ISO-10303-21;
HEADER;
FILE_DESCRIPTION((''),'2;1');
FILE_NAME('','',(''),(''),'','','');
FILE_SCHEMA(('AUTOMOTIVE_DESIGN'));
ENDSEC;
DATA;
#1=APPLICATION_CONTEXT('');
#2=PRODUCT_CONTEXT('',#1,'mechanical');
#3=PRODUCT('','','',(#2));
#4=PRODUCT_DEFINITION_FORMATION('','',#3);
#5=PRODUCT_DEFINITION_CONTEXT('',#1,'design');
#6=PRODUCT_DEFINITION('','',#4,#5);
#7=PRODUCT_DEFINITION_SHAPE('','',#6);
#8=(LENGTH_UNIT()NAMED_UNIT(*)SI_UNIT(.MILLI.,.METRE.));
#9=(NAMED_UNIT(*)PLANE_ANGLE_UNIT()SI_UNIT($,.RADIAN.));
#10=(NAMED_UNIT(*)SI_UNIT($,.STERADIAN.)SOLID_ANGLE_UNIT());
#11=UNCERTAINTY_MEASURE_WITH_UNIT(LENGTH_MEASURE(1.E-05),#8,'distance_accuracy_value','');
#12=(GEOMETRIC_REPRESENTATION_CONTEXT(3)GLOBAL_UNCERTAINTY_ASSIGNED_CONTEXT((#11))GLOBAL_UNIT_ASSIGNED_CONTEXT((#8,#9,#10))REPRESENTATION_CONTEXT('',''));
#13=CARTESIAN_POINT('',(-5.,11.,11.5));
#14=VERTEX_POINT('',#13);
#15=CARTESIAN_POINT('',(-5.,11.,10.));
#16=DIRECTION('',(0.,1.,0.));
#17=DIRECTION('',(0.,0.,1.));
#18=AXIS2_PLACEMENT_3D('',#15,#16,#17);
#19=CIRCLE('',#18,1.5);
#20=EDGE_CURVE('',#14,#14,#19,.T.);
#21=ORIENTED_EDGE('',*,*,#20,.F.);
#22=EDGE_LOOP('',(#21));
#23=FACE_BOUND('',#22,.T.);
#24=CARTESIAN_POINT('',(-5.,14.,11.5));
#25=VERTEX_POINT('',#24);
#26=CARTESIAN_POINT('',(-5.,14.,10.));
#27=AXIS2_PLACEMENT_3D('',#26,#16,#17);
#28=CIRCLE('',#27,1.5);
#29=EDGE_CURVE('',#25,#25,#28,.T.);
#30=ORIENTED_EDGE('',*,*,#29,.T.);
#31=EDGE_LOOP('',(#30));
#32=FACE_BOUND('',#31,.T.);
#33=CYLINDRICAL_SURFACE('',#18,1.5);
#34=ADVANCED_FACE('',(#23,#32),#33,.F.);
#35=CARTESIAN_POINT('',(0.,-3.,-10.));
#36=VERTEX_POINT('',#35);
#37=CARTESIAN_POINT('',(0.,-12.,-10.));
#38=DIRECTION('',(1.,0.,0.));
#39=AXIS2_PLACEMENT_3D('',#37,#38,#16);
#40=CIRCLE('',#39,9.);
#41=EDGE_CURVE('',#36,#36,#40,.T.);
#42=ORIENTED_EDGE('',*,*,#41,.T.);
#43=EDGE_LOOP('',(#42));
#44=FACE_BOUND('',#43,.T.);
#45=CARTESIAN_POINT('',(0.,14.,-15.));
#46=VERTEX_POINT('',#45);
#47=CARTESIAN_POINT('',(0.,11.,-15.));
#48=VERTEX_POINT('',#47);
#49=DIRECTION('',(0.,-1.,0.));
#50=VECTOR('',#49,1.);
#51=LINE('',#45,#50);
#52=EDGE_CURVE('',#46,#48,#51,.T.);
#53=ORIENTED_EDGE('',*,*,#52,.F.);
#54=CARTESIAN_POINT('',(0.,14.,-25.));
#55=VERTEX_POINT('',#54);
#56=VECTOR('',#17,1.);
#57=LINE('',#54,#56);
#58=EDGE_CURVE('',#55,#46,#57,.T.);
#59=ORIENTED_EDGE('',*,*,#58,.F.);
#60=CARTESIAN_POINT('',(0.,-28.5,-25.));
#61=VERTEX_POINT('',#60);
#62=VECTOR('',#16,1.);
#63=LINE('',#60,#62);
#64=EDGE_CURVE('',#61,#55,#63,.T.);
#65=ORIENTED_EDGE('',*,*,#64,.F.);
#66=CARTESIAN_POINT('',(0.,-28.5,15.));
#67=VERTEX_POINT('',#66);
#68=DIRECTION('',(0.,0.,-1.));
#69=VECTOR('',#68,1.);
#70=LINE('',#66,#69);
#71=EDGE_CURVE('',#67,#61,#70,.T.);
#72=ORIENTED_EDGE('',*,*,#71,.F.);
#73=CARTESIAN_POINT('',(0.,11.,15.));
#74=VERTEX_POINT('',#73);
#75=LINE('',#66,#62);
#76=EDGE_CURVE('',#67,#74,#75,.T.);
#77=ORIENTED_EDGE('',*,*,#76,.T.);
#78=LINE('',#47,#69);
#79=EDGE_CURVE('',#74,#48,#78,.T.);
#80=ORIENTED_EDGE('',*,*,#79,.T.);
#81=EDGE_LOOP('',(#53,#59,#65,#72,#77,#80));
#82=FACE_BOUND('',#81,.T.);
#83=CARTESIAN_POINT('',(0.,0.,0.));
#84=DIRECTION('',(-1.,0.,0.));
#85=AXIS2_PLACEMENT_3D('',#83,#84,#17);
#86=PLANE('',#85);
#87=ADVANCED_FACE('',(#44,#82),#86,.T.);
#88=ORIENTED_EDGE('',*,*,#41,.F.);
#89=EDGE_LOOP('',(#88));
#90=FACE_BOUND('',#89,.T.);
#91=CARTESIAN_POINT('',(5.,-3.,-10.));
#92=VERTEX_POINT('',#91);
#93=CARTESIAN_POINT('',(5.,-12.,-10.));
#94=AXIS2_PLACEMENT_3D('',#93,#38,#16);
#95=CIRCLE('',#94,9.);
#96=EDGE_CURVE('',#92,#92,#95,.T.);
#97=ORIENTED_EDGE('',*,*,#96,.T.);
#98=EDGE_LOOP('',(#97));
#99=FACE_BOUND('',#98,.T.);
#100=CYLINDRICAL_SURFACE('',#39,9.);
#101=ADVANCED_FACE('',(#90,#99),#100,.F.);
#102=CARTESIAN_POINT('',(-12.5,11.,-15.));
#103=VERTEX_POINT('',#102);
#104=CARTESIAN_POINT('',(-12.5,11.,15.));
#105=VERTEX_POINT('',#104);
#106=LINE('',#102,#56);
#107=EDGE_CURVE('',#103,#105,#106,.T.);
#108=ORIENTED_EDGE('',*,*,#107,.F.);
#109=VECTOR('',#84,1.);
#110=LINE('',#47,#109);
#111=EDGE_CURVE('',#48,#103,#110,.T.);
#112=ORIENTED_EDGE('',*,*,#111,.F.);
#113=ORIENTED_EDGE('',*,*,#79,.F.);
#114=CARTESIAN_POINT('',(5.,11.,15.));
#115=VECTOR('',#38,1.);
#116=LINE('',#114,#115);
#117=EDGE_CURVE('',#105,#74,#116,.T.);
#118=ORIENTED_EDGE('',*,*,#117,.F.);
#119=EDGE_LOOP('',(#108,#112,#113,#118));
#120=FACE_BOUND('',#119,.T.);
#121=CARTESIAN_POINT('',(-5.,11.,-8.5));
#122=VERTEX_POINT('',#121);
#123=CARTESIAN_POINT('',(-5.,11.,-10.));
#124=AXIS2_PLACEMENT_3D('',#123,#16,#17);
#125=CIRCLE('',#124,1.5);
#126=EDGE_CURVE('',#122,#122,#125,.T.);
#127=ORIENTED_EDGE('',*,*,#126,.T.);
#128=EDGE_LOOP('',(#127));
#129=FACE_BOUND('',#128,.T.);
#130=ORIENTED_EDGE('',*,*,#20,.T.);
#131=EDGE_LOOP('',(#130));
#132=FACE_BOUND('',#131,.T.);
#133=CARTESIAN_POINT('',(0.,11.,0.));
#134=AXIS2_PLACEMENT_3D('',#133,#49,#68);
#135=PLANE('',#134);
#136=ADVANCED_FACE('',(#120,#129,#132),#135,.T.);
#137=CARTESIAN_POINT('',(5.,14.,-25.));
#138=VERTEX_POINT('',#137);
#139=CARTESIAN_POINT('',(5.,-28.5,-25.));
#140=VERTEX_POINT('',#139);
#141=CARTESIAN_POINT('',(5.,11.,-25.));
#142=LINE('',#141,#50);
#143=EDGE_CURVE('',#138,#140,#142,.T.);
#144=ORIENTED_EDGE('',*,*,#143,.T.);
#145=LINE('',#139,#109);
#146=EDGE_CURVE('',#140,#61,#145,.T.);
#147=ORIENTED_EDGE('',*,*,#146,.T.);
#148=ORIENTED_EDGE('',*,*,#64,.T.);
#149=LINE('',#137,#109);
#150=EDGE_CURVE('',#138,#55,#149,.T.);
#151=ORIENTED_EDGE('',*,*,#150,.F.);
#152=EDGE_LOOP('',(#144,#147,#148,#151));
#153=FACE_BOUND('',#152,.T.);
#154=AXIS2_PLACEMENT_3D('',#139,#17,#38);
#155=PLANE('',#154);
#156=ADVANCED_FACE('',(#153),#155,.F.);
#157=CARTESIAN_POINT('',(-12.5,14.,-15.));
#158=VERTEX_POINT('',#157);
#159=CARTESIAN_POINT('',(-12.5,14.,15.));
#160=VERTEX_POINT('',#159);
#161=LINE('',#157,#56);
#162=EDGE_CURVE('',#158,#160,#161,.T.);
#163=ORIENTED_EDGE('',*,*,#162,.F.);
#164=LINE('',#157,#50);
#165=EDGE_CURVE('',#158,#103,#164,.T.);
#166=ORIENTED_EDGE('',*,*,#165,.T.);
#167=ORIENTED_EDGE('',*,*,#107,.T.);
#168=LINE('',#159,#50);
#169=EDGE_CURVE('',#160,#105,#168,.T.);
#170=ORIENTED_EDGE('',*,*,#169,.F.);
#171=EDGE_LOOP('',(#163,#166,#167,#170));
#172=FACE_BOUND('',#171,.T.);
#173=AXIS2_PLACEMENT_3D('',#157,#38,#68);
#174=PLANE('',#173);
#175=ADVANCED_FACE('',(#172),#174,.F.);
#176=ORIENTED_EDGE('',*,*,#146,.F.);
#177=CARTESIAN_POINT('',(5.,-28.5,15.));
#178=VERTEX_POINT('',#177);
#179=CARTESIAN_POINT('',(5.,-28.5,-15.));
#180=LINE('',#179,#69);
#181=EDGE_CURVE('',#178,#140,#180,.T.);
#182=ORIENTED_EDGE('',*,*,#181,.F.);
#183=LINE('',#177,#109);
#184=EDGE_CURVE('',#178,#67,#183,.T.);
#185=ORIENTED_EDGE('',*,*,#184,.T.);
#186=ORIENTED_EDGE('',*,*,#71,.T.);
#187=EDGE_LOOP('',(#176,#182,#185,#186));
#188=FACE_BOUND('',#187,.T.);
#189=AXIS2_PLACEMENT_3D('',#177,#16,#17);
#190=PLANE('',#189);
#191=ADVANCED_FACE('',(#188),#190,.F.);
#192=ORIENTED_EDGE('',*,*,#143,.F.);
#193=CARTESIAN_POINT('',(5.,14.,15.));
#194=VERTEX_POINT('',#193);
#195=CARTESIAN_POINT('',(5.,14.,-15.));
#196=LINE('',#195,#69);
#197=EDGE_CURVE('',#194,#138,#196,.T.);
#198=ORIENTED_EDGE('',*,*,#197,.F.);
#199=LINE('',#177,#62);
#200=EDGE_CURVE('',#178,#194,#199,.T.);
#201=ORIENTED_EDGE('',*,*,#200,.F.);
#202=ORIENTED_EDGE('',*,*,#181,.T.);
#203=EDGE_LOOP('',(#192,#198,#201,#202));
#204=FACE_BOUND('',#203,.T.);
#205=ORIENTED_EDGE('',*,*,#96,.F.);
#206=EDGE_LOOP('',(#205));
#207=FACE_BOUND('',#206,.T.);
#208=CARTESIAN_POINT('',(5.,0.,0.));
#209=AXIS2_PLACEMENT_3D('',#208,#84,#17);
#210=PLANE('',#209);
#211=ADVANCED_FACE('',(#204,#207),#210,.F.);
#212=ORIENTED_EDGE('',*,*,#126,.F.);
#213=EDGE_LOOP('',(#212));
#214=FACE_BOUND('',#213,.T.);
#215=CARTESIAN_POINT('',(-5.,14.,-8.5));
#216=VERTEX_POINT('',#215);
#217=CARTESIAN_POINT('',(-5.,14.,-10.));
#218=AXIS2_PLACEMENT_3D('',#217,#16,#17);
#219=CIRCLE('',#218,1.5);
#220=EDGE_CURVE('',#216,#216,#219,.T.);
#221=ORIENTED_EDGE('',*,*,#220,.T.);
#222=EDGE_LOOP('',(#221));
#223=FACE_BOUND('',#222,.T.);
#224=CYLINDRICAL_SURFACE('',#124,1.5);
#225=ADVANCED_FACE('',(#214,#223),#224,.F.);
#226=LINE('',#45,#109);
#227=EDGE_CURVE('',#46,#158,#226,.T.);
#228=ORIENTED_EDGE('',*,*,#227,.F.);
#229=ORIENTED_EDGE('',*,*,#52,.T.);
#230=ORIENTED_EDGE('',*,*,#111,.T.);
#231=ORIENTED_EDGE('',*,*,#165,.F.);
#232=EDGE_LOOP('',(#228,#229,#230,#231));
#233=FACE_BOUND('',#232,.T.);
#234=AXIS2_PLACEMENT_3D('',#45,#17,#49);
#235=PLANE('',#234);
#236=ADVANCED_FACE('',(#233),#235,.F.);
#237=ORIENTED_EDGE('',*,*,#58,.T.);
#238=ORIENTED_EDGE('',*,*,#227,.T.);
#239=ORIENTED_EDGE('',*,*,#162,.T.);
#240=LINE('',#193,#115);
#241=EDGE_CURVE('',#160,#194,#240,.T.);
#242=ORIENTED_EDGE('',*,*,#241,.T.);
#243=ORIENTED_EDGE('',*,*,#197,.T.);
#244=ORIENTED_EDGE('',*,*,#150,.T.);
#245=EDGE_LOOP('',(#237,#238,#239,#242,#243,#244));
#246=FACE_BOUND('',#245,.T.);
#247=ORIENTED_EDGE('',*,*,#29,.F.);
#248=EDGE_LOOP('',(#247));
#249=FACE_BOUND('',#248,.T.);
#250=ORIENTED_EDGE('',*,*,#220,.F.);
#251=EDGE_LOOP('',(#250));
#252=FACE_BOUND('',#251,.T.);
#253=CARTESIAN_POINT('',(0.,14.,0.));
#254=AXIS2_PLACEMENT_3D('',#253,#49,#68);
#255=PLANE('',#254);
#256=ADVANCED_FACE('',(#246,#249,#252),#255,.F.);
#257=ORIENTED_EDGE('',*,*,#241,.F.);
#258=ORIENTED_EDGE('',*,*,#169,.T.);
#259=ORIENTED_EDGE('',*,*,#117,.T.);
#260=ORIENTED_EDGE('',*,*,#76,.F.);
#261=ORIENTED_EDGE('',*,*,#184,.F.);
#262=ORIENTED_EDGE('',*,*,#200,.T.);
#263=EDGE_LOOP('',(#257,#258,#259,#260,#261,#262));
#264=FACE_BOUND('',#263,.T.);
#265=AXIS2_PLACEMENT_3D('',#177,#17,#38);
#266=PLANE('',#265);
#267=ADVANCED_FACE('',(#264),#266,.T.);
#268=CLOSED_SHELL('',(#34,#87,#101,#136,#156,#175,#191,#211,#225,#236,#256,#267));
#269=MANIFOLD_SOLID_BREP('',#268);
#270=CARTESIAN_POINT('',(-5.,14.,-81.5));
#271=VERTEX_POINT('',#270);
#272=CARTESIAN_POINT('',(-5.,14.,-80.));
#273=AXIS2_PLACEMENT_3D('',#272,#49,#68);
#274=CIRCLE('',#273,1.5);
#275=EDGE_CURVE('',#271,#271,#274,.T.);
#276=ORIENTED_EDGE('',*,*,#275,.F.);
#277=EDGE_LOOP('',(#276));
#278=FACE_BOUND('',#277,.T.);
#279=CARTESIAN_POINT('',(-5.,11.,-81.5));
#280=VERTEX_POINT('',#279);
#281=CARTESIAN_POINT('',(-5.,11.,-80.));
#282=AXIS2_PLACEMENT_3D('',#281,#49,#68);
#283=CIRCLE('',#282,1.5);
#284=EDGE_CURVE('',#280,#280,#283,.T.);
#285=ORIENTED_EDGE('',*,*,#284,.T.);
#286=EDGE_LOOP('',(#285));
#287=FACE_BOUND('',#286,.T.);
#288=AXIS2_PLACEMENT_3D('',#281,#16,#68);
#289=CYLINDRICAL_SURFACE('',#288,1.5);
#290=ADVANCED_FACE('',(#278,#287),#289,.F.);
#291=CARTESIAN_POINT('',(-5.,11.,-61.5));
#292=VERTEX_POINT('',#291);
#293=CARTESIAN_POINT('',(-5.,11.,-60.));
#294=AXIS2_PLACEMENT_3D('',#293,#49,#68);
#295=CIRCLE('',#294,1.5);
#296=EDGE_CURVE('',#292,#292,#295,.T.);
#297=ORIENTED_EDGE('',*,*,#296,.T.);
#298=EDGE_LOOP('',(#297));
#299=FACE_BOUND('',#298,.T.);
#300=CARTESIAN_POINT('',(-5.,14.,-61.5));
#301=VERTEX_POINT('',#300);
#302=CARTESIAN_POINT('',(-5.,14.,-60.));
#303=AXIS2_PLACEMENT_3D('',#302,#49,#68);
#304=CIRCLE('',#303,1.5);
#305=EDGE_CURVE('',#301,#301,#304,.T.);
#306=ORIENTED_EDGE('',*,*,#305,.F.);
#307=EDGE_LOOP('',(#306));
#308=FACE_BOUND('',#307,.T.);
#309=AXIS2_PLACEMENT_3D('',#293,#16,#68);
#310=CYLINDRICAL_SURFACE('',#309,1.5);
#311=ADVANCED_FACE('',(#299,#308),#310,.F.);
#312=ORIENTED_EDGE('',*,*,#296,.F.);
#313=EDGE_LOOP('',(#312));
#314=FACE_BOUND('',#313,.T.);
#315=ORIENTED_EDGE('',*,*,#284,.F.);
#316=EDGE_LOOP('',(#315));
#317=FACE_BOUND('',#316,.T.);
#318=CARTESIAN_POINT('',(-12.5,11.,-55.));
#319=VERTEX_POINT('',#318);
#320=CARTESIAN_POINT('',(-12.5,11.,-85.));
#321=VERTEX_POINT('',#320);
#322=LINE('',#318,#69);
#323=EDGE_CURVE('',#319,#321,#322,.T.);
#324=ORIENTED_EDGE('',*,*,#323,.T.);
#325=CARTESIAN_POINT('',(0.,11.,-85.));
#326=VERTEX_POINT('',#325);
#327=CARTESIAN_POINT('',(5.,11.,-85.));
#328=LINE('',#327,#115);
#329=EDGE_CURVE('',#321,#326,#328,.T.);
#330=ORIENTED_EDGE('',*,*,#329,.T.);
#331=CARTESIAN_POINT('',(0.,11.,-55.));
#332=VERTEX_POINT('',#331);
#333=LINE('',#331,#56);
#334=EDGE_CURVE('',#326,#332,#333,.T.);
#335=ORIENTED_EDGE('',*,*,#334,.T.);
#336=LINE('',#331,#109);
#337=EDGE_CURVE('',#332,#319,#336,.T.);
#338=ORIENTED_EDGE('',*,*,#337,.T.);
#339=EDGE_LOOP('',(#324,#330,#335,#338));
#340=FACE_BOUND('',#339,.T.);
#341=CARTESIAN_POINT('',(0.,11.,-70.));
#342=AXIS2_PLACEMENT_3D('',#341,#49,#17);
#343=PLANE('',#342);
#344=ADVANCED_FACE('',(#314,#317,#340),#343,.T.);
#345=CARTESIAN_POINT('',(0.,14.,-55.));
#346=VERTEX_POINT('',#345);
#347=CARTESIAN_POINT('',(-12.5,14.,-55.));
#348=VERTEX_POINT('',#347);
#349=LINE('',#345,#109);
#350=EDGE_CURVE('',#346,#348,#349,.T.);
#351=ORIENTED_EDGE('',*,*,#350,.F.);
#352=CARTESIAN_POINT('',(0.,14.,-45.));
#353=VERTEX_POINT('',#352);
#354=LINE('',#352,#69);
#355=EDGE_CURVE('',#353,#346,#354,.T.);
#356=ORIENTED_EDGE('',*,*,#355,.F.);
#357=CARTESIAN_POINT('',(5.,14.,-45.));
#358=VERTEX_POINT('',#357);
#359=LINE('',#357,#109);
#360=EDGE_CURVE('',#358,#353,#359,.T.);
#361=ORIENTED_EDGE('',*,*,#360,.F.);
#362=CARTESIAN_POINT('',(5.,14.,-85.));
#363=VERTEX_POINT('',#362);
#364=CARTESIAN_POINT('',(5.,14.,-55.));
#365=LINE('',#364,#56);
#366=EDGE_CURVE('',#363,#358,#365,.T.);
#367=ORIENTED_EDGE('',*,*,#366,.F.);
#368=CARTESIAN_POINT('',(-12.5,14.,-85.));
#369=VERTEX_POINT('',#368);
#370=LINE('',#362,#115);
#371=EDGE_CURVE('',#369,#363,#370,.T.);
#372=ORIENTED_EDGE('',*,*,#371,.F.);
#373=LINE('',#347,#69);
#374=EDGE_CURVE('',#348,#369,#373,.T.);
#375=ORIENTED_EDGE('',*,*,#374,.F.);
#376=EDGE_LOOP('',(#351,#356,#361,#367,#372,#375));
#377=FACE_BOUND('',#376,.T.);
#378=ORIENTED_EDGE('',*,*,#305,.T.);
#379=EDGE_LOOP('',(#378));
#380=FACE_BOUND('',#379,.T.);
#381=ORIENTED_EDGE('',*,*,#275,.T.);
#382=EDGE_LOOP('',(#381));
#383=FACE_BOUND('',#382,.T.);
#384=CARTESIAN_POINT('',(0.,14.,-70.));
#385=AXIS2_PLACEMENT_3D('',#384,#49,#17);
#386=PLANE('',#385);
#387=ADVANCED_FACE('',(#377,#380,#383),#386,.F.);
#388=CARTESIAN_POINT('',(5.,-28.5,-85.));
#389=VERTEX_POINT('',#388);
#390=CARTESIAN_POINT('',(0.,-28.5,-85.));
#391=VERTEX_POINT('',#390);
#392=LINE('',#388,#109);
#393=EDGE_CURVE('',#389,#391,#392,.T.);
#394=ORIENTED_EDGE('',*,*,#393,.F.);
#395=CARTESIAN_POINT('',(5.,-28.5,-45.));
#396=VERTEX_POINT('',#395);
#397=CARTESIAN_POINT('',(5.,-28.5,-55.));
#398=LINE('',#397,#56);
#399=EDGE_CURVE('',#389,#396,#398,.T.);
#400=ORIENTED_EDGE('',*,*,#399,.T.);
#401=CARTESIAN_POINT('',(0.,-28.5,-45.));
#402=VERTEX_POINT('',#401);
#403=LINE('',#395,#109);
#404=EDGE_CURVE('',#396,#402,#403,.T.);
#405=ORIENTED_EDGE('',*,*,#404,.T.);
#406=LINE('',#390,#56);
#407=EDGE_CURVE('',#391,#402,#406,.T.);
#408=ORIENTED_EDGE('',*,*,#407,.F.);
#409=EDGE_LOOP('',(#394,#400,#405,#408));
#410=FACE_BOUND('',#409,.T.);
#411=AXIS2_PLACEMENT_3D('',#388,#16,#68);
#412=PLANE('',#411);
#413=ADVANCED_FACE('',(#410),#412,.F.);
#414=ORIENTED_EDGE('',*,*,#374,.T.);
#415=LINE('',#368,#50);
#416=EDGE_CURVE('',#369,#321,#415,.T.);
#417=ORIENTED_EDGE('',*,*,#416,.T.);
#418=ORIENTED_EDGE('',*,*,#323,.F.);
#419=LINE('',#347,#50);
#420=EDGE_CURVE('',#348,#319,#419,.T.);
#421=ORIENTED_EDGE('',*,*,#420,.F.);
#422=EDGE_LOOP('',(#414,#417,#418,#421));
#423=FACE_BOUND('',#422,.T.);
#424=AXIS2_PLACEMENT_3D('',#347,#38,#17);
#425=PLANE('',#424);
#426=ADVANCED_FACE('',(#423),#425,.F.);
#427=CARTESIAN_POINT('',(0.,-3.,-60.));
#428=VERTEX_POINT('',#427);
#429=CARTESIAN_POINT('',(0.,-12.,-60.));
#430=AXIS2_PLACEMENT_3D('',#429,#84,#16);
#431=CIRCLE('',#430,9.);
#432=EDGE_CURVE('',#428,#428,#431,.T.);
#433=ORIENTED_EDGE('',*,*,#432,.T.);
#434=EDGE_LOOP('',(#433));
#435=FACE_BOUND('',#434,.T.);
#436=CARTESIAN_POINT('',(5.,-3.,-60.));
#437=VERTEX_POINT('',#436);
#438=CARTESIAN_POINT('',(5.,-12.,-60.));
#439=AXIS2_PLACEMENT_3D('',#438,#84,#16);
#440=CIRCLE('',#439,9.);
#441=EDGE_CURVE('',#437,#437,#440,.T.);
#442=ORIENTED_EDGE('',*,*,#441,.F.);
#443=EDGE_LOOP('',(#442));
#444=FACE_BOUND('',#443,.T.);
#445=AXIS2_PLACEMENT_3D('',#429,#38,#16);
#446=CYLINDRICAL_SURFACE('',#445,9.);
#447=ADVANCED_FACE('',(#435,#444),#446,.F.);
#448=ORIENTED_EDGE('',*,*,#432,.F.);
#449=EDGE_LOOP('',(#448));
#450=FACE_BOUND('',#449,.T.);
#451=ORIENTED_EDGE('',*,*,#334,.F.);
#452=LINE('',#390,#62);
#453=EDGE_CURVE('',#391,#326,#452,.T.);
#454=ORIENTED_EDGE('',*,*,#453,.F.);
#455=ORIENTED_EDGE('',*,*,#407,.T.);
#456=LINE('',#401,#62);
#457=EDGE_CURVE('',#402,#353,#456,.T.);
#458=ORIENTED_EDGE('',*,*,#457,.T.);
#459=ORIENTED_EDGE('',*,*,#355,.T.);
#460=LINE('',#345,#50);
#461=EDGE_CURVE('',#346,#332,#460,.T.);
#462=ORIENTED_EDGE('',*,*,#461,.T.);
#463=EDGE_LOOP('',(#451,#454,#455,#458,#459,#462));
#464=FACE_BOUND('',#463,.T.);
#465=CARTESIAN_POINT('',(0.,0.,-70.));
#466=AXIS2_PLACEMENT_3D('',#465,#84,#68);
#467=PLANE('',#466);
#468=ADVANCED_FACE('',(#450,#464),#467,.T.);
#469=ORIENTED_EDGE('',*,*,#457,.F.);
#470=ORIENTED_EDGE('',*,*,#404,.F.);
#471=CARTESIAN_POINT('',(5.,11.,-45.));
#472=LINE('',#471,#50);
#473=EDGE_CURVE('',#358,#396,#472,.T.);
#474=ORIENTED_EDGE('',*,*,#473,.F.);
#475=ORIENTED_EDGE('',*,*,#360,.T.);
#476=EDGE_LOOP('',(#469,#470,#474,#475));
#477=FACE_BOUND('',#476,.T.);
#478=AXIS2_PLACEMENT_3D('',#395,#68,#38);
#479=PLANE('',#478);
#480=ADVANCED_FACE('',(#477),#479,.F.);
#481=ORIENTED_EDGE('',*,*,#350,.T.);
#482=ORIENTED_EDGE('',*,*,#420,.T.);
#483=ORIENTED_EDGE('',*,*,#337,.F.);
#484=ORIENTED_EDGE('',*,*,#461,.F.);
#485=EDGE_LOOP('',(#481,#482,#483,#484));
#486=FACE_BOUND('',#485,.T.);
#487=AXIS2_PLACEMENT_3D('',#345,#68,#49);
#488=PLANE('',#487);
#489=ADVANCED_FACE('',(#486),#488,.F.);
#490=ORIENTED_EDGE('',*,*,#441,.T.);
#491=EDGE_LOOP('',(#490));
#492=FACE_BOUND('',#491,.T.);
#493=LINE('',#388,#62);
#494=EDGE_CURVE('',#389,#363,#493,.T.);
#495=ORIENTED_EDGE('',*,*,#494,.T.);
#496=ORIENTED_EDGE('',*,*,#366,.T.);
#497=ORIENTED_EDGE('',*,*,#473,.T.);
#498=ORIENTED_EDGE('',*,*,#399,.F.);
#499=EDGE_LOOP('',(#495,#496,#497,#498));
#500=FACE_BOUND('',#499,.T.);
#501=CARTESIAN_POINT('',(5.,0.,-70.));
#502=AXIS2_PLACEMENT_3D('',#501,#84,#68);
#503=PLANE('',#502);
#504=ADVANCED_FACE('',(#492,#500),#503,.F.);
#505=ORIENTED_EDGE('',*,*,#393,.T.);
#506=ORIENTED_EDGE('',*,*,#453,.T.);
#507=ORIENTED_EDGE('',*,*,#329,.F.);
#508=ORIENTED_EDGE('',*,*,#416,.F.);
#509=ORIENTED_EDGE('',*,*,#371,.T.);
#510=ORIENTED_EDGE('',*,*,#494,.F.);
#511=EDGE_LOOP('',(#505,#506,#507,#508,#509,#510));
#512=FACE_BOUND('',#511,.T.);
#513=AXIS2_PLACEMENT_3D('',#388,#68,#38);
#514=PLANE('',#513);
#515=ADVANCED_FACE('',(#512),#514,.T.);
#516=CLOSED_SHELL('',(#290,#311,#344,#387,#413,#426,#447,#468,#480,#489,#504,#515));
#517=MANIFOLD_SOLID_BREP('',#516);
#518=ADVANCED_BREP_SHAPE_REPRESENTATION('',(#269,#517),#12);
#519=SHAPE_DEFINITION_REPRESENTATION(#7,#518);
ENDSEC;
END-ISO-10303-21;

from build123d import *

# Parameters (mm, degrees)
EXTRUDE_1_DEPTH     = 5
SKETCH_2_R          = 9
CUT_EXTRUDE_1_DEPTH = 5
EXTRUDE_2_DEPTH     = 3
SKETCH_6_R          = 1.5
CUT_EXTRUDE_2_DEPTH = 3


with BuildPart() as part:
    # 草图1 → 凸台-拉伸1 (new body)
    with BuildSketch(Plane(origin=(0, 0, 0), x_dir=(0, 0, -1), z_dir=(1, 0, 0))):
        Polygon((-15, -28.5), (-15, 11), (15, 11), (25, 11), (25, -8.5), (25, -28.5), (15, -28.5), align=None)
    extrude(amount=EXTRUDE_1_DEPTH)

    # 草图2 → 切除-拉伸1 (cut)
    with BuildSketch(Plane(origin=(5, 0, 0), x_dir=(0, 0, -1), z_dir=(1, 0, 0))):
        with Locations(Location((10, -12, 0), (0, 0, 90))):
            Circle(SKETCH_2_R)
    extrude(amount=-CUT_EXTRUDE_1_DEPTH, mode=Mode.SUBTRACT)

    # 草图3 → 凸台-拉伸2 (add)
    with BuildSketch(Plane(origin=(0, 11, 0), x_dir=(1, 0, 0), z_dir=(0, 1, 0))):
        Polygon((5, 15), (5, 25), (0, 25), (0, 15), (-12.5, 15), (-12.5, -15), (5, -15), align=None)
    extrude(amount=EXTRUDE_2_DEPTH)

    # 草图6 → 切除-拉伸2 (cut)
    with BuildSketch(Plane(origin=(0, 14, 0), x_dir=(1, 0, 0), z_dir=(0, 1, 0))):
        with Locations(Location((-5, 10, 0), (0, 0, 270))):
            Circle(SKETCH_6_R)
        with Locations(Location((-5, -10, 0), (0, 0, 270))):
            Circle(SKETCH_6_R)
    extrude(amount=-CUT_EXTRUDE_2_DEPTH, mode=Mode.SUBTRACT)


with BuildPart() as body_2:
    # 镜向1: mirrored copy
    add(part.part.mirror(Plane(origin=(0, 0, -35), x_dir=(1, 0, 0), z_dir=(0, 0, -1))))


solid = Compound([part.part, body_2.part])
